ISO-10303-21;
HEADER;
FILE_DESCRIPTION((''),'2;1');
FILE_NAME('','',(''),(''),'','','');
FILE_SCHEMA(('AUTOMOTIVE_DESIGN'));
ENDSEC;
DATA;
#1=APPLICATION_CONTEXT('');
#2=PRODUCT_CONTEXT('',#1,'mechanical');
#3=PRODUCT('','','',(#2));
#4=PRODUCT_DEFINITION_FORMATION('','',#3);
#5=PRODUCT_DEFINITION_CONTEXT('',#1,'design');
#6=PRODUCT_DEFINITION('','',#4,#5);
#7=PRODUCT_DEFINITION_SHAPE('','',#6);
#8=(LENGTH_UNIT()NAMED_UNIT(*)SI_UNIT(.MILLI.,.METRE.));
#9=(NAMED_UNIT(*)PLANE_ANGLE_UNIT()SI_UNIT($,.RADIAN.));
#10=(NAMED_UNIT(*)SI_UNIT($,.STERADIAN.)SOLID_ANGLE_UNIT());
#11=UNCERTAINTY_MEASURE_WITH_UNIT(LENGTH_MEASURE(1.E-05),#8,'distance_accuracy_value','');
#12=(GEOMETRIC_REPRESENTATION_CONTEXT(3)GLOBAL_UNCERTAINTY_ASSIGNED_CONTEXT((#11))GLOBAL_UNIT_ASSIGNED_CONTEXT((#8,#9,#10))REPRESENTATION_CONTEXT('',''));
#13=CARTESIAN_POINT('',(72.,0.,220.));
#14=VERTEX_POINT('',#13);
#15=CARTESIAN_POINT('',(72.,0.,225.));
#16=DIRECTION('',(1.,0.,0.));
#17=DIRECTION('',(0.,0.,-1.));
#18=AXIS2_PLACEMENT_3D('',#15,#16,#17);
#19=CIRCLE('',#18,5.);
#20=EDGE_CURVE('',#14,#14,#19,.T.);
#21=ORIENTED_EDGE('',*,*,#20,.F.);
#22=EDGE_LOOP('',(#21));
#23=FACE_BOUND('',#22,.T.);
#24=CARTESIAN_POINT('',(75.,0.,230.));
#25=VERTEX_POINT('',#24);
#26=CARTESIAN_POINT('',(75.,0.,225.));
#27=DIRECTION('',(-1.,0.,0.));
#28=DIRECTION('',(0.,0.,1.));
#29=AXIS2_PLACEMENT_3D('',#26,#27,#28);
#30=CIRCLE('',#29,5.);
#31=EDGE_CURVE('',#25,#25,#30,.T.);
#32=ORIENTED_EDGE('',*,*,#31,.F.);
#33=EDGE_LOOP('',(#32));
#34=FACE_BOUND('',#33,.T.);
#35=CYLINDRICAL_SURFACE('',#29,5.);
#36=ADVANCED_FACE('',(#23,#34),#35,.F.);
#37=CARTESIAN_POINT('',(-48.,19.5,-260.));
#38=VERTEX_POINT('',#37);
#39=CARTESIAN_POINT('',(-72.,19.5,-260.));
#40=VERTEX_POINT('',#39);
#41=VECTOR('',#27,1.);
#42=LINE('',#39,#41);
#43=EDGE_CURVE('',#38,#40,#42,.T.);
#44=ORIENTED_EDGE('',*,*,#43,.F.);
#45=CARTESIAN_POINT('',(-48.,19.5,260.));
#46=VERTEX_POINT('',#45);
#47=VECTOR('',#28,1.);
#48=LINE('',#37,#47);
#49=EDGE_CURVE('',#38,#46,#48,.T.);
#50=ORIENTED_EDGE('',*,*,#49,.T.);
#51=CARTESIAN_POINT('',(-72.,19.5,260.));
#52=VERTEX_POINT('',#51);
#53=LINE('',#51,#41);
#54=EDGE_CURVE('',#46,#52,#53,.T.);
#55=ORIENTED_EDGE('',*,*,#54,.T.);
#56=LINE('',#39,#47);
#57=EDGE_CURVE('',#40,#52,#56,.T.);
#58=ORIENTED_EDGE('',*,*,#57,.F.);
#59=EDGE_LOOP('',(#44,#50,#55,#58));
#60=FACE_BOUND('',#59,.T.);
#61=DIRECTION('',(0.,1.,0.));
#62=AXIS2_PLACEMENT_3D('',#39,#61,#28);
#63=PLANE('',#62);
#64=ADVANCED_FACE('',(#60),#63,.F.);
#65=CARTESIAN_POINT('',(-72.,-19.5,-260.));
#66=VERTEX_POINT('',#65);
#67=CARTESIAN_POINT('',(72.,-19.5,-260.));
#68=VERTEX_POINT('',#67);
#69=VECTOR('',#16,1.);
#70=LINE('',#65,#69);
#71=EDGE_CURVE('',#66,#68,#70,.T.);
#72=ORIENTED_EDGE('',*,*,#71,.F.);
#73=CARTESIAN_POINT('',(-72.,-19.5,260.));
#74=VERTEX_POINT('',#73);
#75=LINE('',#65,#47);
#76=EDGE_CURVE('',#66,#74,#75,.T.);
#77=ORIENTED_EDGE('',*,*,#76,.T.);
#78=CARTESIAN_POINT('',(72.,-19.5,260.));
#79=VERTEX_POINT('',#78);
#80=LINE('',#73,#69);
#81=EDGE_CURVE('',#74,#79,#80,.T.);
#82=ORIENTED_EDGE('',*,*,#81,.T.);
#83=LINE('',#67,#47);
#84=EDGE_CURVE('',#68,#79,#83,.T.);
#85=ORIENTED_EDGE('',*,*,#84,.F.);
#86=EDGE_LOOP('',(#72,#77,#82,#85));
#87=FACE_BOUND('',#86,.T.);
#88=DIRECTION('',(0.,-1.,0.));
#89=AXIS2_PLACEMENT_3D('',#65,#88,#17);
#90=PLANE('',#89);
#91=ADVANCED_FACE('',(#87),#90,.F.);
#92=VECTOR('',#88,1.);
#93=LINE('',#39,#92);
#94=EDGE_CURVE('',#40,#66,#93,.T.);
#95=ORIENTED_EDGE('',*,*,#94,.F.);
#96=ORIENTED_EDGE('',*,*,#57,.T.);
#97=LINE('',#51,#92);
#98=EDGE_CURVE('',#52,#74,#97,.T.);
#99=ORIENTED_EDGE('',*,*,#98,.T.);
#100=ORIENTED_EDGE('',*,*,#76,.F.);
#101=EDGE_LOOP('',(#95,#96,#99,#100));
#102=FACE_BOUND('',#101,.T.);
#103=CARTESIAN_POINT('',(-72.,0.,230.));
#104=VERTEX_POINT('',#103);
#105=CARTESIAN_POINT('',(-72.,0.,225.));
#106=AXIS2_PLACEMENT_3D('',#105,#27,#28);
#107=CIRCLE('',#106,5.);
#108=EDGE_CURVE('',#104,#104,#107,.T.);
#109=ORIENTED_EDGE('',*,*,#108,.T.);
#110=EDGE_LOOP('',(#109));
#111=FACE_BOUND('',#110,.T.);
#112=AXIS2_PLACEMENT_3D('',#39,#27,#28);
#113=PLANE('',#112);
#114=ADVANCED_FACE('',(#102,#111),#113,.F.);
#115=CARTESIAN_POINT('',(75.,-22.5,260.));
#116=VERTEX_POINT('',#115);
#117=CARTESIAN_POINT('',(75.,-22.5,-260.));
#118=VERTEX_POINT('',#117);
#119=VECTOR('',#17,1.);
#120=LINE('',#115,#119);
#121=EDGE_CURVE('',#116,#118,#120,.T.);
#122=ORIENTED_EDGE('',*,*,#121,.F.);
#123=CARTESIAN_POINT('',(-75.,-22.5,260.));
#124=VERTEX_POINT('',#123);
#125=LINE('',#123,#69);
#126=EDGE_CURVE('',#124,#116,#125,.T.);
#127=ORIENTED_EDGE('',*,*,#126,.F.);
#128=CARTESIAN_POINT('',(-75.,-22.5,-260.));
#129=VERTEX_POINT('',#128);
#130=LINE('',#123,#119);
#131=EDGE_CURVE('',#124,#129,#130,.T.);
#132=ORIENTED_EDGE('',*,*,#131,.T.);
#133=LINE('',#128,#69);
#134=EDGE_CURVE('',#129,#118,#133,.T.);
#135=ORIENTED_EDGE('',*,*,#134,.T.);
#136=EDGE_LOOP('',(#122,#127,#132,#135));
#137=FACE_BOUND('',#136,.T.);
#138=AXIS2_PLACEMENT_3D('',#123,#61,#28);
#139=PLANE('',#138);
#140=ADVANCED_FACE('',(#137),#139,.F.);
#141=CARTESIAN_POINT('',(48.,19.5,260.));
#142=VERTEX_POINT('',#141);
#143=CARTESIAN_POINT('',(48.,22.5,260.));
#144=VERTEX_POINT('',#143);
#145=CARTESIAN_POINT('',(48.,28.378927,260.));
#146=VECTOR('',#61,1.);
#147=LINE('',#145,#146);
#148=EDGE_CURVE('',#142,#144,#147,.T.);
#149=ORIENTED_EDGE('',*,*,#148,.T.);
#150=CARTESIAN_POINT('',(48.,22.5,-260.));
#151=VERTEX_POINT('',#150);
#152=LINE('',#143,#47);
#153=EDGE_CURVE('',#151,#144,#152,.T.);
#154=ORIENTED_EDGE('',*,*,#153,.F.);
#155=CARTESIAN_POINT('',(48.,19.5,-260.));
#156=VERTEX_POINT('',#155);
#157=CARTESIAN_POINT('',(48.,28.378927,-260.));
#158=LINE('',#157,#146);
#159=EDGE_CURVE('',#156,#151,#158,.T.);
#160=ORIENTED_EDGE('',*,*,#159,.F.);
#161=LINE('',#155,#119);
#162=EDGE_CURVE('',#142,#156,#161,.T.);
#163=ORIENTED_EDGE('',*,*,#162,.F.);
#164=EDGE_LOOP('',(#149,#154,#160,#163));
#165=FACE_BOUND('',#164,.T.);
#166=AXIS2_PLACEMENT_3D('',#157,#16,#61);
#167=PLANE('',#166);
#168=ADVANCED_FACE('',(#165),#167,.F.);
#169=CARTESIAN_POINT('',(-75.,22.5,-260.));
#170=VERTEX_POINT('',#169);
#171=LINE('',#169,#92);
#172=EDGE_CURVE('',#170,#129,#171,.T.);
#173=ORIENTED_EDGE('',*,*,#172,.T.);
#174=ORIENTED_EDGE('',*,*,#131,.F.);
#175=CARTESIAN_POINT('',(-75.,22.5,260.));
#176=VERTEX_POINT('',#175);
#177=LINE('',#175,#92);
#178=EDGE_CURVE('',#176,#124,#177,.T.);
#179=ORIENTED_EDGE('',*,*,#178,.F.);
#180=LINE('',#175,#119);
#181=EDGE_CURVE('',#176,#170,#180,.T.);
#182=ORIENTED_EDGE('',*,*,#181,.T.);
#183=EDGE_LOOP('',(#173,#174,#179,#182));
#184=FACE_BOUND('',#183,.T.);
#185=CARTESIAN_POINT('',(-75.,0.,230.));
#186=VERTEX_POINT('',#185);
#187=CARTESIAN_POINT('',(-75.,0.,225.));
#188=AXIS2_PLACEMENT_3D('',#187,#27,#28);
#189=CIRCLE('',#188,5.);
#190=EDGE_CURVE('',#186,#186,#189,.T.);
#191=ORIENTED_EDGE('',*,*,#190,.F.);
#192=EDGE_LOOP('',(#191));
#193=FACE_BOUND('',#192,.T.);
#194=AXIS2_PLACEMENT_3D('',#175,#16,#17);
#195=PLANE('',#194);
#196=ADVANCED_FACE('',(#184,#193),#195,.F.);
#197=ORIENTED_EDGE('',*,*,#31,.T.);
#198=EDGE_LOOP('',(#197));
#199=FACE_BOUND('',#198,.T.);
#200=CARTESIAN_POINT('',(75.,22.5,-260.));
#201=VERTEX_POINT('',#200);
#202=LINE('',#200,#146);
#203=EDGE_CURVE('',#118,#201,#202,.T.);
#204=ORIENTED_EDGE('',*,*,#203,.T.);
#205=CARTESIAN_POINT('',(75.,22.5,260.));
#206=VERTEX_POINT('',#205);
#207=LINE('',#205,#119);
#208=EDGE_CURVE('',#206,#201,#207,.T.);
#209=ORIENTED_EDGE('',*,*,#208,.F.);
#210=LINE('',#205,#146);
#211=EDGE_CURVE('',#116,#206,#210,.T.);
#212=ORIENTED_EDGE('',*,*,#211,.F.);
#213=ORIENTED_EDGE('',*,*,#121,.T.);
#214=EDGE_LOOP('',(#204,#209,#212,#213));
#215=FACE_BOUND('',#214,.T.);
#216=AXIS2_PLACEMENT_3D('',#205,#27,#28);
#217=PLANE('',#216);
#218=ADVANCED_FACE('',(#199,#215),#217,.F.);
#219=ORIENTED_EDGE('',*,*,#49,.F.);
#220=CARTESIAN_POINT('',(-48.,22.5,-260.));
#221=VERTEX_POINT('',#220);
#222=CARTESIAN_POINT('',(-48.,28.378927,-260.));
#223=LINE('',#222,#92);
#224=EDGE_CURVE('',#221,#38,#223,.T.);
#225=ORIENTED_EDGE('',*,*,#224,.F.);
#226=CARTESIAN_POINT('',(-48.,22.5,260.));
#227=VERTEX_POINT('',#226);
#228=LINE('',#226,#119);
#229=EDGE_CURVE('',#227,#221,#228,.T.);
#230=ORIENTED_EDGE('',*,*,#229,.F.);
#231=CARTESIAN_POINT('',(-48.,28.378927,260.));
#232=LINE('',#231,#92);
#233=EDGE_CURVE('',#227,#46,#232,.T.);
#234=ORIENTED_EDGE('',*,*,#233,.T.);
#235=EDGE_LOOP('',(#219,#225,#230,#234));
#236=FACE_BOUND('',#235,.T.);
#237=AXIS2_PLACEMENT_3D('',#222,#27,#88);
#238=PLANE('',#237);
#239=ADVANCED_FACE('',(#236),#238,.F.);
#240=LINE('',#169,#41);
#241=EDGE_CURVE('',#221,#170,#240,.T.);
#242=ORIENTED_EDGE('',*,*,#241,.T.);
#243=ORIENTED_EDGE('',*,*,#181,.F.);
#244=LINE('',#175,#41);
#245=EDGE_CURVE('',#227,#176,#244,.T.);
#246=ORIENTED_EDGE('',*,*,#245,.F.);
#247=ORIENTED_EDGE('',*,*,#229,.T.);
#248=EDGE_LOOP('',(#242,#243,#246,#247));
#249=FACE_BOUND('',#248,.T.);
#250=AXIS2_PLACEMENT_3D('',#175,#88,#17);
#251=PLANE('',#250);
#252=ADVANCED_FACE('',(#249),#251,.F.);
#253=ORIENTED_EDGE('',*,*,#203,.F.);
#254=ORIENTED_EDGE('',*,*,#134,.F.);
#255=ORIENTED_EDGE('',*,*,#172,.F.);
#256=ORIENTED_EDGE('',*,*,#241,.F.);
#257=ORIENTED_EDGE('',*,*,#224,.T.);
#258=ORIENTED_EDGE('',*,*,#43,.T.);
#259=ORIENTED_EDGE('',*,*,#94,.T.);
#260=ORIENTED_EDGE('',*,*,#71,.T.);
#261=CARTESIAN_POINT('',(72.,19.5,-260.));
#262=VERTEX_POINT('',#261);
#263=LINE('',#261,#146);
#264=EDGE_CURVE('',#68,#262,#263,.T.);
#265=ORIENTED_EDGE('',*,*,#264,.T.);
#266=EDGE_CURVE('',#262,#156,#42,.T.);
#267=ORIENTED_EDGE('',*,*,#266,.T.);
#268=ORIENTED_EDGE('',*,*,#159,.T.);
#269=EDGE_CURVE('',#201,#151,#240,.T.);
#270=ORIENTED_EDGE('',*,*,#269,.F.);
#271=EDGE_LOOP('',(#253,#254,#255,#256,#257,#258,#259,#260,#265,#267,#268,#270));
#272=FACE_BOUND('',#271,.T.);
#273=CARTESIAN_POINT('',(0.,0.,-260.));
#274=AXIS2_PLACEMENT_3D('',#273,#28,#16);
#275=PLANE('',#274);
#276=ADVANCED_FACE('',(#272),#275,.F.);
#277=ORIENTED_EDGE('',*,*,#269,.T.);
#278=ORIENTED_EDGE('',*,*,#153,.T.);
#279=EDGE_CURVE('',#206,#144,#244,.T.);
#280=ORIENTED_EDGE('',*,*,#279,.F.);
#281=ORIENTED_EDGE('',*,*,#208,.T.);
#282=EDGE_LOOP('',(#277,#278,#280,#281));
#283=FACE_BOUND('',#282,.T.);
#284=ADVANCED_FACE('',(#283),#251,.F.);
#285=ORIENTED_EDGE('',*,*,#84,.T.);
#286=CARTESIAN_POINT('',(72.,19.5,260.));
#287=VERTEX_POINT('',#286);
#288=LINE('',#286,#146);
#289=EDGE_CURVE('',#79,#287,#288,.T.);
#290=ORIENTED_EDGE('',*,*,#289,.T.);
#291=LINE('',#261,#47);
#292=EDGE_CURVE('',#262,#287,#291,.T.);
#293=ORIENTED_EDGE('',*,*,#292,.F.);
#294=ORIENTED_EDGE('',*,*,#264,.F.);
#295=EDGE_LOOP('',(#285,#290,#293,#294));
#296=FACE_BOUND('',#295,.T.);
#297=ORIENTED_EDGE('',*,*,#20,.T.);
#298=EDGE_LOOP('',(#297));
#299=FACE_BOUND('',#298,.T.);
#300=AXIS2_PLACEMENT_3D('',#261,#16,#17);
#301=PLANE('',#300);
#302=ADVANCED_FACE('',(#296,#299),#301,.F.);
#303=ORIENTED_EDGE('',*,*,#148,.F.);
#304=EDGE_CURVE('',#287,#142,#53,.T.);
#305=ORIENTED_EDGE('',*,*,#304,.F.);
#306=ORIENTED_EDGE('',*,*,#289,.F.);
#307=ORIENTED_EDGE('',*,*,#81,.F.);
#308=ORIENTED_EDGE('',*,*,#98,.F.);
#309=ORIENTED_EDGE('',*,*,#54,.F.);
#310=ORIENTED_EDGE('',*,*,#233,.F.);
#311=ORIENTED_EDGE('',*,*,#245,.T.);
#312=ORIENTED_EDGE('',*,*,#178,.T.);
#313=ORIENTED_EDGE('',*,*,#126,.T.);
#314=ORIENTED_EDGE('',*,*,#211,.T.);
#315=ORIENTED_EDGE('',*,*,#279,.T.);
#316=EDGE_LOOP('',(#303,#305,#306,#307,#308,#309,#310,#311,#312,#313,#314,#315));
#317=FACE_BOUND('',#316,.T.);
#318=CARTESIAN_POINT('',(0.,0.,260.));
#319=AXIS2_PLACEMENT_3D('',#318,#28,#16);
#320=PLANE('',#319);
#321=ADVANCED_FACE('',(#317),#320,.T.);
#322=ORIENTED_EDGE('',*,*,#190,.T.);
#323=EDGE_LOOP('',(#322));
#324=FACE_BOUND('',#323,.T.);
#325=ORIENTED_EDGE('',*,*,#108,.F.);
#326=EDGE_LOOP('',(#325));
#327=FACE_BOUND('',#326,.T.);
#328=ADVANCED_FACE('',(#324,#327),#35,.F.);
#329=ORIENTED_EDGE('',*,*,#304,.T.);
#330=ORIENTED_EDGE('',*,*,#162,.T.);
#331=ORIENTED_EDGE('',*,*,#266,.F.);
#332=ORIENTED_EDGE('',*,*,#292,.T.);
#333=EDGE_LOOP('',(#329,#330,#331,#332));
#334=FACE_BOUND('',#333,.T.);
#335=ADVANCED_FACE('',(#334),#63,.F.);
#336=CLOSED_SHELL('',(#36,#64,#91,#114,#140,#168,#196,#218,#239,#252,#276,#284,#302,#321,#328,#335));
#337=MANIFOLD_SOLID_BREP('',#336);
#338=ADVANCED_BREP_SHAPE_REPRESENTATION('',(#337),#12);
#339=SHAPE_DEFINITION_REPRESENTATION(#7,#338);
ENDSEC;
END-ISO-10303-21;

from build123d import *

# Parameters (mm, degrees)
SKETCH1_W               = 150
SKETCH1_H               = 45
BOSS_EXTRUDE1_DEPTH     = 260
CUT_EXTRUDE1_DEPTH      = 272.534988537
CUT_EXTRUDE1_DEPTH_BACK = 272.534988537
SKETCH2_W               = 144
SKETCH2_H               = 39
SKETCH3_W               = 96
SKETCH3_H               = 11.757854584
CUT_EXTRUDE2_DEPTH      = 526.862386942
SKETCH4_R               = 5
CUT_EXTRUDE3_DEPTH      = 302.008720804


with BuildPart() as part:
    # Sketch1 → Boss-Extrude1 (new, symmetric)
    with BuildSketch(Plane.XY):
        Rectangle(SKETCH1_W, SKETCH1_H)
    extrude(amount=BOSS_EXTRUDE1_DEPTH, both=True)

    # Sketch2 → Cut-Extrude1 (cut, two sides: drawn at the far end of the back side and taken through both)
    with BuildSketch(Plane.XY.offset(-CUT_EXTRUDE1_DEPTH_BACK)):
        Rectangle(SKETCH2_W, SKETCH2_H)
    extrude(amount=CUT_EXTRUDE1_DEPTH + CUT_EXTRUDE1_DEPTH_BACK, mode=Mode.SUBTRACT)

    # Sketch3 → Cut-Extrude2 (cut, through all)
    with BuildSketch(Plane.XY.offset(260)):
        with Locations((0, 22.5)):
            Rectangle(SKETCH3_W, SKETCH3_H)
    extrude(amount=-CUT_EXTRUDE2_DEPTH, mode=Mode.SUBTRACT)

    # Sketch4 → Cut-Extrude3 (cut, through all)
    with BuildSketch(Plane.ZY.offset(75)):
        with Locations((225, 0)):
            Circle(SKETCH4_R)
    extrude(amount=-CUT_EXTRUDE3_DEPTH, mode=Mode.SUBTRACT)


solid = part.part
